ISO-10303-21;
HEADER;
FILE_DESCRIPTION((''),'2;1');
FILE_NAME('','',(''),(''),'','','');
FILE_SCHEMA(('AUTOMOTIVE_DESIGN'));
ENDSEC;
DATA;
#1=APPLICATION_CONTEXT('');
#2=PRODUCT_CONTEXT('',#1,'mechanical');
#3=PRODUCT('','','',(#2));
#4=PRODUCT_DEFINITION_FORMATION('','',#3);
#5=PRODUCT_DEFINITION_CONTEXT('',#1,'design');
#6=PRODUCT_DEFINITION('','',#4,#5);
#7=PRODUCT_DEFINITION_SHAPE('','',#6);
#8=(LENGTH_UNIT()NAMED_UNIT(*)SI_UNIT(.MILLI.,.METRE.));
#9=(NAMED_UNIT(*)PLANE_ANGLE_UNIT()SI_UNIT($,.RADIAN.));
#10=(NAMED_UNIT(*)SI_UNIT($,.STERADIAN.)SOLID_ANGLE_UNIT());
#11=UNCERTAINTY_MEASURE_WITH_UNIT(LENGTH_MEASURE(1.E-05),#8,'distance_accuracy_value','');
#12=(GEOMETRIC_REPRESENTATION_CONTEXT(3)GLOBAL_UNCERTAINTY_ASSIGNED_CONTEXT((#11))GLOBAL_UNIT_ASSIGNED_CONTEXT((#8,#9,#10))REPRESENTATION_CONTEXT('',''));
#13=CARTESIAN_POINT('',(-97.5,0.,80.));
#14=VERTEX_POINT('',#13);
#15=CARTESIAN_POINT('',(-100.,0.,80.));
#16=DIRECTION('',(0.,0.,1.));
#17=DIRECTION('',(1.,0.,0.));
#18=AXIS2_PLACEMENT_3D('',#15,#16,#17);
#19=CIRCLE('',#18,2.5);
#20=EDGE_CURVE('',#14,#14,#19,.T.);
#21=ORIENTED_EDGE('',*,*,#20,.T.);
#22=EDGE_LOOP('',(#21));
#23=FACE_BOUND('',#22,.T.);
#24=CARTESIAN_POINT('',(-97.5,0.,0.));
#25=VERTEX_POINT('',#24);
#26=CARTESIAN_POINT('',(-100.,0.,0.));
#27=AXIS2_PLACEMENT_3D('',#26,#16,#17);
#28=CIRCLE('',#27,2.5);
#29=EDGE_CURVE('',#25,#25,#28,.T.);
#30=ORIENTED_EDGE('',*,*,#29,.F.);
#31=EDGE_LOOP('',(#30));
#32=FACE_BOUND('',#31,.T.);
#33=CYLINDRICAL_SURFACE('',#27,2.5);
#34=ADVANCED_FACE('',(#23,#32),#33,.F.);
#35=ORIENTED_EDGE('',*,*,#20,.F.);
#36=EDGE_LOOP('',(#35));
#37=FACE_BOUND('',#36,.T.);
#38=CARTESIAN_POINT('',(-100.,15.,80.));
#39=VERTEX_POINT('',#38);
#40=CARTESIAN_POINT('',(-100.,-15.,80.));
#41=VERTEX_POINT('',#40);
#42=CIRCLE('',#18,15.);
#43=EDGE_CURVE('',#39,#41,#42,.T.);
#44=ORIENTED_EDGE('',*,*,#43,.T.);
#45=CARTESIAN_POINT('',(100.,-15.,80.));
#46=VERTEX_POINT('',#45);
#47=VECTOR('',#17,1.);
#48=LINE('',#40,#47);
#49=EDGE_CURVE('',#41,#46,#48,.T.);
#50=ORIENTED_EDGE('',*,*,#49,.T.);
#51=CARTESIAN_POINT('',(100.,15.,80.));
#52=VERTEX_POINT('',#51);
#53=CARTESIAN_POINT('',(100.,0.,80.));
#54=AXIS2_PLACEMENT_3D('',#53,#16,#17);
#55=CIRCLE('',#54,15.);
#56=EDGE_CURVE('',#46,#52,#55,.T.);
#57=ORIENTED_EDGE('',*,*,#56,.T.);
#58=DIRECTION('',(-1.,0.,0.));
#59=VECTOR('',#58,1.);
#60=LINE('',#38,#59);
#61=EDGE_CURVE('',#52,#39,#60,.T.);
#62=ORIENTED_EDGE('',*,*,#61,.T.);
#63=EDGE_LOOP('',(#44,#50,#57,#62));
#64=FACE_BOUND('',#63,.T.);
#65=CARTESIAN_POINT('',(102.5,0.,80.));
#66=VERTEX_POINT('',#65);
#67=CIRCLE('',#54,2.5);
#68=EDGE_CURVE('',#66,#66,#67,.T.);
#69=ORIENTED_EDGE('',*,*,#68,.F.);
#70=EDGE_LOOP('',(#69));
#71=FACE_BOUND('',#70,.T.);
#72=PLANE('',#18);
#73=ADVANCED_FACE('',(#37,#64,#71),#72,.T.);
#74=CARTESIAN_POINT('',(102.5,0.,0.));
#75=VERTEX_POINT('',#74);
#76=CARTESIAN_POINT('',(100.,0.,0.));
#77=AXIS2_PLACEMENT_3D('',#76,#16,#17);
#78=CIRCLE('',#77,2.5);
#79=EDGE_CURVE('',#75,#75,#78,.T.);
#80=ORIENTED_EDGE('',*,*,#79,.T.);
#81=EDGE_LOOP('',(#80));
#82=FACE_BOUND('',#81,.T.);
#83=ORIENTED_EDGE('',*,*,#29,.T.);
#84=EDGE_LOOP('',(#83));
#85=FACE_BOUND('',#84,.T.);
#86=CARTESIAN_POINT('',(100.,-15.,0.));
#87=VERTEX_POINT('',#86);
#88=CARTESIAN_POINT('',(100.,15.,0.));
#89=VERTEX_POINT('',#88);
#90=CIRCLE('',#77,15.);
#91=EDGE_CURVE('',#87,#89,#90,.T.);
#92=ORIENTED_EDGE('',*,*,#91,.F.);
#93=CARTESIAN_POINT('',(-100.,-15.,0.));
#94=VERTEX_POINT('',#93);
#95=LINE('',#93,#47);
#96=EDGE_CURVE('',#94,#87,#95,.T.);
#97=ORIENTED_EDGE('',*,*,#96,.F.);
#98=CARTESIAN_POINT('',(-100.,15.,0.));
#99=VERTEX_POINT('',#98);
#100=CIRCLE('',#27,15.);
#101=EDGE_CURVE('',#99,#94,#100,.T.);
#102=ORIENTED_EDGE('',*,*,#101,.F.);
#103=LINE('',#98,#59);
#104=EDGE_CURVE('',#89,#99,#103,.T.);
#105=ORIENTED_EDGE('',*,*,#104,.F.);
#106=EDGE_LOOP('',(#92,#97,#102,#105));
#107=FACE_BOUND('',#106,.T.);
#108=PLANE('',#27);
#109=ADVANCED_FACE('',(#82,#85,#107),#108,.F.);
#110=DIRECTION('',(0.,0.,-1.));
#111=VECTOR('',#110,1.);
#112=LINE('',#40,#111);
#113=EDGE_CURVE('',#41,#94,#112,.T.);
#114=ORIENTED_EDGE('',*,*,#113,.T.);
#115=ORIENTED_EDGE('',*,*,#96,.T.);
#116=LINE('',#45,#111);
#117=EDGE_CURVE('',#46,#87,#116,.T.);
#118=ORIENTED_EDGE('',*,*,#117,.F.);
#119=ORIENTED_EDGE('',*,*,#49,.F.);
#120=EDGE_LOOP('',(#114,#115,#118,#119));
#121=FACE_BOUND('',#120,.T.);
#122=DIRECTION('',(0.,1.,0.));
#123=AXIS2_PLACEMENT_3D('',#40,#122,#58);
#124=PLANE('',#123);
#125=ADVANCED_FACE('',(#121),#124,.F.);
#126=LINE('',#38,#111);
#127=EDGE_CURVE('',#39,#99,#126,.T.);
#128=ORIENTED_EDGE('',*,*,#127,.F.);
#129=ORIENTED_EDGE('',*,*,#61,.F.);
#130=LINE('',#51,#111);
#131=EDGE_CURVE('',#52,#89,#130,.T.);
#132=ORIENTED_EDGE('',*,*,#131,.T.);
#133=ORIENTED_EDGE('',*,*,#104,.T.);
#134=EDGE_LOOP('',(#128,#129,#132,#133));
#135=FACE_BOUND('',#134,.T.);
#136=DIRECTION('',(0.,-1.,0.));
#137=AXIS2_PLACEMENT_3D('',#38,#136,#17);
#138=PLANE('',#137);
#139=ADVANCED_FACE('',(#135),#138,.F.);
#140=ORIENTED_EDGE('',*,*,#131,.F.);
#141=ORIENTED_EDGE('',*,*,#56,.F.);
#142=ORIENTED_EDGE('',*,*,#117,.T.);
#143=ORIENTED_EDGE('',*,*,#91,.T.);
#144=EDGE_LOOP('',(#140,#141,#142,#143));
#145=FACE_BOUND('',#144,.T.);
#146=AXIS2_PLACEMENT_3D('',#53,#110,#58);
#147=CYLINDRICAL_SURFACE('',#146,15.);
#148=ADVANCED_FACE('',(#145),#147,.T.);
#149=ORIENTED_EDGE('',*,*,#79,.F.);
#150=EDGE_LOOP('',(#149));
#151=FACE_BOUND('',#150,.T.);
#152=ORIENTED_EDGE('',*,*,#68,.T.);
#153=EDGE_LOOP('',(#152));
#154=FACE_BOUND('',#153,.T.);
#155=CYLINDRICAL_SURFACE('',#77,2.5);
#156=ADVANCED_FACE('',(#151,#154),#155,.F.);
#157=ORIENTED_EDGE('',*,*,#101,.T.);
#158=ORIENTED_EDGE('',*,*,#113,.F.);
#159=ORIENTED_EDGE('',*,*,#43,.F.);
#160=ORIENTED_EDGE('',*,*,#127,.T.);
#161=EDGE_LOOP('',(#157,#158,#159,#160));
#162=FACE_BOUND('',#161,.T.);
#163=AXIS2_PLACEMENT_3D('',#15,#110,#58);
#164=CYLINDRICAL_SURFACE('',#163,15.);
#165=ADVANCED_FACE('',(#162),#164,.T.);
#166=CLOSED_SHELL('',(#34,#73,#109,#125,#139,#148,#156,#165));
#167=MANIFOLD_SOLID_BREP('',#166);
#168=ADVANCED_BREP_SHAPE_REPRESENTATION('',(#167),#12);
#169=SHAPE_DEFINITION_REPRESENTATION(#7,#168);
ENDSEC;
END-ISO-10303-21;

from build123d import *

# Parameters (mm, degrees)
EXTRUDE_1_DEPTH          = 80
CUT_EXTRUDE_1_DEPTH      = 141.890028036
CUT_EXTRUDE_1_DEPTH_BACK = 141.890028036
SKETCH_2_R               = 2.5


with BuildPart() as part:
    # 草图1 → 凸台-拉伸1 (new body)
    with BuildSketch(Plane.XY):
        with BuildLine():
            Line((-100, 15), (100, 15))
            ThreePointArc((100, 15), (115, 0), (100, -15))
            Line((100, -15), (-100, -15))
            ThreePointArc((-100, -15), (-115, 0), (-100, 15))
        make_face()
    extrude(amount=EXTRUDE_1_DEPTH)

    # 草图2 → 切除-拉伸1 (cut, two sides: drawn at the far end of the back side and taken through both)
    with BuildSketch(Plane.XY.offset(80).offset(-CUT_EXTRUDE_1_DEPTH_BACK)):
        with Locations((-100, 0)):
            Circle(SKETCH_2_R)
        with Locations((100, 0)):
            Circle(SKETCH_2_R)
    extrude(amount=CUT_EXTRUDE_1_DEPTH + CUT_EXTRUDE_1_DEPTH_BACK, mode=Mode.SUBTRACT)


solid = part.part
